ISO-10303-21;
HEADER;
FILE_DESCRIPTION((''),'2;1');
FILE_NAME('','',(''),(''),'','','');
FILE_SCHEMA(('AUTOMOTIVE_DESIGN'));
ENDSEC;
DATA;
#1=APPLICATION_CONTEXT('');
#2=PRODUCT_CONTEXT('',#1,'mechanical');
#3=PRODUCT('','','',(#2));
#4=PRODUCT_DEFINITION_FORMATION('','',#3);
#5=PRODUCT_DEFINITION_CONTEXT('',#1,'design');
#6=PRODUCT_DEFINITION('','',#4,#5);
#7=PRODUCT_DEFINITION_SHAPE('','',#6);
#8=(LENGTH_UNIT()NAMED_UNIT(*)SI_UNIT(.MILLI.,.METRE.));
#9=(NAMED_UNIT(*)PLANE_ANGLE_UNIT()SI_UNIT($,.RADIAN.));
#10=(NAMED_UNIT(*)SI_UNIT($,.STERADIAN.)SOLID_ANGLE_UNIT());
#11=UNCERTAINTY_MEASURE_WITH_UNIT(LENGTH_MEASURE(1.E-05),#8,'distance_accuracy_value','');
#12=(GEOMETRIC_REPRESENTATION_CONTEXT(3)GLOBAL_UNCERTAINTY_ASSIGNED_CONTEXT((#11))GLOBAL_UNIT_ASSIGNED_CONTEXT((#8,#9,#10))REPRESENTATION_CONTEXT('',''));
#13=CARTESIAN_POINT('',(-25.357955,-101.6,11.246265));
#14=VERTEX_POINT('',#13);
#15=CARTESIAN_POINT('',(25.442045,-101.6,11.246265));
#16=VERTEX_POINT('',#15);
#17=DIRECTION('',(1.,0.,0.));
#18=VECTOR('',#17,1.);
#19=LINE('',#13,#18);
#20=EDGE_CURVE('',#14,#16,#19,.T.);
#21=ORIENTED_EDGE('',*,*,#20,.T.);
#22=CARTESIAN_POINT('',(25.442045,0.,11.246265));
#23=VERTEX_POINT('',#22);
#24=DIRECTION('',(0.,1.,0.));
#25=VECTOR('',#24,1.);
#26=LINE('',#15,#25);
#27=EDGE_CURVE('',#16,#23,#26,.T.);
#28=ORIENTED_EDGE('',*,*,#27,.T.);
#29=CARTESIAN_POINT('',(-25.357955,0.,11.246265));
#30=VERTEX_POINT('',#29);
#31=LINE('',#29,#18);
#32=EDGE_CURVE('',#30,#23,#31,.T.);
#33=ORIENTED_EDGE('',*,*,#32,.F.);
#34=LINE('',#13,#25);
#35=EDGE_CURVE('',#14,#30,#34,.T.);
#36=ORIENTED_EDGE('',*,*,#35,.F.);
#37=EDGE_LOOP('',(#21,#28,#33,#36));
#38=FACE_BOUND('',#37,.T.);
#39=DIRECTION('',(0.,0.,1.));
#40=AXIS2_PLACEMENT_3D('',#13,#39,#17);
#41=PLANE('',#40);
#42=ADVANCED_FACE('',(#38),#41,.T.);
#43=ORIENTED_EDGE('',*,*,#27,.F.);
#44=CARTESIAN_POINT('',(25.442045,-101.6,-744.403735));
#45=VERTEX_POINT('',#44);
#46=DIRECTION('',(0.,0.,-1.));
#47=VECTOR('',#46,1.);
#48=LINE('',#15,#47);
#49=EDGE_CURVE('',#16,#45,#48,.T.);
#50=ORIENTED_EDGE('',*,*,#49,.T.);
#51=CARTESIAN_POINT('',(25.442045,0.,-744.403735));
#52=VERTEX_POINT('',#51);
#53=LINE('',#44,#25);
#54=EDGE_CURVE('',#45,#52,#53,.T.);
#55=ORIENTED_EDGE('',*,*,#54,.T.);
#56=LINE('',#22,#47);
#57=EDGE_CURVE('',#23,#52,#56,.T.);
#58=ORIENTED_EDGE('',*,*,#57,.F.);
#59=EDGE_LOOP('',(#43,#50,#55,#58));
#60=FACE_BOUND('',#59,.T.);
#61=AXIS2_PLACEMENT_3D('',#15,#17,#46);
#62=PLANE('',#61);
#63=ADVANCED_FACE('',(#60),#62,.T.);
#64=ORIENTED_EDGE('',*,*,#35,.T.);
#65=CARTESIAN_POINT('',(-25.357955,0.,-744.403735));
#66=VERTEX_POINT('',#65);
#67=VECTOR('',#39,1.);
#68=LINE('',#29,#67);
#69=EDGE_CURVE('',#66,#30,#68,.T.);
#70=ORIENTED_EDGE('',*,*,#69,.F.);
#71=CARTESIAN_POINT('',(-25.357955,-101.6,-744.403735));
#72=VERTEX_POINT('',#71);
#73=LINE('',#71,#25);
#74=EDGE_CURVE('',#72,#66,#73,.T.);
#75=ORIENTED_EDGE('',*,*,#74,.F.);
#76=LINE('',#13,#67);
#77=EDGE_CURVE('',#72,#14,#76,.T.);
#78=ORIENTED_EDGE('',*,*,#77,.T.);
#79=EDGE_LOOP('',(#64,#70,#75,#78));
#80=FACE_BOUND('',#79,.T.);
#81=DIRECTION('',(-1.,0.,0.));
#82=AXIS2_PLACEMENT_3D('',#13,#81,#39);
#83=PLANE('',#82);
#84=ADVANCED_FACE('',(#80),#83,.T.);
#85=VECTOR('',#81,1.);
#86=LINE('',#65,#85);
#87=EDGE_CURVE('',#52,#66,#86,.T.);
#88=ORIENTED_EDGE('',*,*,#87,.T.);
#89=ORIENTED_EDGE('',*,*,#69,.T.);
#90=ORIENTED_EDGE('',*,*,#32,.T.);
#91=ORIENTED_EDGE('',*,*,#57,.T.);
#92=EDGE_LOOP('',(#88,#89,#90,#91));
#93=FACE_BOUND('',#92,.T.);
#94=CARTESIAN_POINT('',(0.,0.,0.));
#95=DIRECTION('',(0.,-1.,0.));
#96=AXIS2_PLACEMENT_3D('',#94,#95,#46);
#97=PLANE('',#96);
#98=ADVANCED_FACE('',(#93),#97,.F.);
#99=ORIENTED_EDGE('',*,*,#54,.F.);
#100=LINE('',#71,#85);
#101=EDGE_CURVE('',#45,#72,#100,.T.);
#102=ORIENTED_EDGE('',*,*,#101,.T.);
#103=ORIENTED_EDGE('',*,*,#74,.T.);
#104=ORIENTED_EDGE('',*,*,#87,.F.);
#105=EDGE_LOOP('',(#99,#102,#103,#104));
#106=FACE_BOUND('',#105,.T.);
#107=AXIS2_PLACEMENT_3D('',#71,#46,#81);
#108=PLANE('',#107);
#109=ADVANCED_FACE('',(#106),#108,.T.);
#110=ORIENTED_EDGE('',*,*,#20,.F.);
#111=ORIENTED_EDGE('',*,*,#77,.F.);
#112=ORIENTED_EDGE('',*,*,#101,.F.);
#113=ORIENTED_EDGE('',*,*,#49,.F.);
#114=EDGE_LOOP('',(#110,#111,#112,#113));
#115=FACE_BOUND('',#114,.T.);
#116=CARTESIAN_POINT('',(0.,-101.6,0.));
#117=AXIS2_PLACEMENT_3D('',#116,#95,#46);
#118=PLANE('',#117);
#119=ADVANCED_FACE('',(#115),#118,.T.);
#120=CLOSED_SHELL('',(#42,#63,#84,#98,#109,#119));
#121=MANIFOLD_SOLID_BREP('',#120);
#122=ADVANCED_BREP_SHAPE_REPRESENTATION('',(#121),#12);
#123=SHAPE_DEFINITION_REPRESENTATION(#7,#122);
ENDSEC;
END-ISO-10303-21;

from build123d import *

# Parameters (mm, degrees)
SKETCH1_W           = 50.8
SKETCH1_H           = 755.65
BOSS_EXTRUDE1_DEPTH = 101.6


with BuildPart() as part:
    # Sketch1 → Boss-Extrude1 (new body)
    with BuildSketch(Plane(origin=(0, 0, 0), x_dir=(1, 0, 0), z_dir=(0, 1, 0))):
        with Locations((0.042044922, 366.578734684)):
            Rectangle(SKETCH1_W, SKETCH1_H)
    extrude(amount=-BOSS_EXTRUDE1_DEPTH)


solid = part.part
